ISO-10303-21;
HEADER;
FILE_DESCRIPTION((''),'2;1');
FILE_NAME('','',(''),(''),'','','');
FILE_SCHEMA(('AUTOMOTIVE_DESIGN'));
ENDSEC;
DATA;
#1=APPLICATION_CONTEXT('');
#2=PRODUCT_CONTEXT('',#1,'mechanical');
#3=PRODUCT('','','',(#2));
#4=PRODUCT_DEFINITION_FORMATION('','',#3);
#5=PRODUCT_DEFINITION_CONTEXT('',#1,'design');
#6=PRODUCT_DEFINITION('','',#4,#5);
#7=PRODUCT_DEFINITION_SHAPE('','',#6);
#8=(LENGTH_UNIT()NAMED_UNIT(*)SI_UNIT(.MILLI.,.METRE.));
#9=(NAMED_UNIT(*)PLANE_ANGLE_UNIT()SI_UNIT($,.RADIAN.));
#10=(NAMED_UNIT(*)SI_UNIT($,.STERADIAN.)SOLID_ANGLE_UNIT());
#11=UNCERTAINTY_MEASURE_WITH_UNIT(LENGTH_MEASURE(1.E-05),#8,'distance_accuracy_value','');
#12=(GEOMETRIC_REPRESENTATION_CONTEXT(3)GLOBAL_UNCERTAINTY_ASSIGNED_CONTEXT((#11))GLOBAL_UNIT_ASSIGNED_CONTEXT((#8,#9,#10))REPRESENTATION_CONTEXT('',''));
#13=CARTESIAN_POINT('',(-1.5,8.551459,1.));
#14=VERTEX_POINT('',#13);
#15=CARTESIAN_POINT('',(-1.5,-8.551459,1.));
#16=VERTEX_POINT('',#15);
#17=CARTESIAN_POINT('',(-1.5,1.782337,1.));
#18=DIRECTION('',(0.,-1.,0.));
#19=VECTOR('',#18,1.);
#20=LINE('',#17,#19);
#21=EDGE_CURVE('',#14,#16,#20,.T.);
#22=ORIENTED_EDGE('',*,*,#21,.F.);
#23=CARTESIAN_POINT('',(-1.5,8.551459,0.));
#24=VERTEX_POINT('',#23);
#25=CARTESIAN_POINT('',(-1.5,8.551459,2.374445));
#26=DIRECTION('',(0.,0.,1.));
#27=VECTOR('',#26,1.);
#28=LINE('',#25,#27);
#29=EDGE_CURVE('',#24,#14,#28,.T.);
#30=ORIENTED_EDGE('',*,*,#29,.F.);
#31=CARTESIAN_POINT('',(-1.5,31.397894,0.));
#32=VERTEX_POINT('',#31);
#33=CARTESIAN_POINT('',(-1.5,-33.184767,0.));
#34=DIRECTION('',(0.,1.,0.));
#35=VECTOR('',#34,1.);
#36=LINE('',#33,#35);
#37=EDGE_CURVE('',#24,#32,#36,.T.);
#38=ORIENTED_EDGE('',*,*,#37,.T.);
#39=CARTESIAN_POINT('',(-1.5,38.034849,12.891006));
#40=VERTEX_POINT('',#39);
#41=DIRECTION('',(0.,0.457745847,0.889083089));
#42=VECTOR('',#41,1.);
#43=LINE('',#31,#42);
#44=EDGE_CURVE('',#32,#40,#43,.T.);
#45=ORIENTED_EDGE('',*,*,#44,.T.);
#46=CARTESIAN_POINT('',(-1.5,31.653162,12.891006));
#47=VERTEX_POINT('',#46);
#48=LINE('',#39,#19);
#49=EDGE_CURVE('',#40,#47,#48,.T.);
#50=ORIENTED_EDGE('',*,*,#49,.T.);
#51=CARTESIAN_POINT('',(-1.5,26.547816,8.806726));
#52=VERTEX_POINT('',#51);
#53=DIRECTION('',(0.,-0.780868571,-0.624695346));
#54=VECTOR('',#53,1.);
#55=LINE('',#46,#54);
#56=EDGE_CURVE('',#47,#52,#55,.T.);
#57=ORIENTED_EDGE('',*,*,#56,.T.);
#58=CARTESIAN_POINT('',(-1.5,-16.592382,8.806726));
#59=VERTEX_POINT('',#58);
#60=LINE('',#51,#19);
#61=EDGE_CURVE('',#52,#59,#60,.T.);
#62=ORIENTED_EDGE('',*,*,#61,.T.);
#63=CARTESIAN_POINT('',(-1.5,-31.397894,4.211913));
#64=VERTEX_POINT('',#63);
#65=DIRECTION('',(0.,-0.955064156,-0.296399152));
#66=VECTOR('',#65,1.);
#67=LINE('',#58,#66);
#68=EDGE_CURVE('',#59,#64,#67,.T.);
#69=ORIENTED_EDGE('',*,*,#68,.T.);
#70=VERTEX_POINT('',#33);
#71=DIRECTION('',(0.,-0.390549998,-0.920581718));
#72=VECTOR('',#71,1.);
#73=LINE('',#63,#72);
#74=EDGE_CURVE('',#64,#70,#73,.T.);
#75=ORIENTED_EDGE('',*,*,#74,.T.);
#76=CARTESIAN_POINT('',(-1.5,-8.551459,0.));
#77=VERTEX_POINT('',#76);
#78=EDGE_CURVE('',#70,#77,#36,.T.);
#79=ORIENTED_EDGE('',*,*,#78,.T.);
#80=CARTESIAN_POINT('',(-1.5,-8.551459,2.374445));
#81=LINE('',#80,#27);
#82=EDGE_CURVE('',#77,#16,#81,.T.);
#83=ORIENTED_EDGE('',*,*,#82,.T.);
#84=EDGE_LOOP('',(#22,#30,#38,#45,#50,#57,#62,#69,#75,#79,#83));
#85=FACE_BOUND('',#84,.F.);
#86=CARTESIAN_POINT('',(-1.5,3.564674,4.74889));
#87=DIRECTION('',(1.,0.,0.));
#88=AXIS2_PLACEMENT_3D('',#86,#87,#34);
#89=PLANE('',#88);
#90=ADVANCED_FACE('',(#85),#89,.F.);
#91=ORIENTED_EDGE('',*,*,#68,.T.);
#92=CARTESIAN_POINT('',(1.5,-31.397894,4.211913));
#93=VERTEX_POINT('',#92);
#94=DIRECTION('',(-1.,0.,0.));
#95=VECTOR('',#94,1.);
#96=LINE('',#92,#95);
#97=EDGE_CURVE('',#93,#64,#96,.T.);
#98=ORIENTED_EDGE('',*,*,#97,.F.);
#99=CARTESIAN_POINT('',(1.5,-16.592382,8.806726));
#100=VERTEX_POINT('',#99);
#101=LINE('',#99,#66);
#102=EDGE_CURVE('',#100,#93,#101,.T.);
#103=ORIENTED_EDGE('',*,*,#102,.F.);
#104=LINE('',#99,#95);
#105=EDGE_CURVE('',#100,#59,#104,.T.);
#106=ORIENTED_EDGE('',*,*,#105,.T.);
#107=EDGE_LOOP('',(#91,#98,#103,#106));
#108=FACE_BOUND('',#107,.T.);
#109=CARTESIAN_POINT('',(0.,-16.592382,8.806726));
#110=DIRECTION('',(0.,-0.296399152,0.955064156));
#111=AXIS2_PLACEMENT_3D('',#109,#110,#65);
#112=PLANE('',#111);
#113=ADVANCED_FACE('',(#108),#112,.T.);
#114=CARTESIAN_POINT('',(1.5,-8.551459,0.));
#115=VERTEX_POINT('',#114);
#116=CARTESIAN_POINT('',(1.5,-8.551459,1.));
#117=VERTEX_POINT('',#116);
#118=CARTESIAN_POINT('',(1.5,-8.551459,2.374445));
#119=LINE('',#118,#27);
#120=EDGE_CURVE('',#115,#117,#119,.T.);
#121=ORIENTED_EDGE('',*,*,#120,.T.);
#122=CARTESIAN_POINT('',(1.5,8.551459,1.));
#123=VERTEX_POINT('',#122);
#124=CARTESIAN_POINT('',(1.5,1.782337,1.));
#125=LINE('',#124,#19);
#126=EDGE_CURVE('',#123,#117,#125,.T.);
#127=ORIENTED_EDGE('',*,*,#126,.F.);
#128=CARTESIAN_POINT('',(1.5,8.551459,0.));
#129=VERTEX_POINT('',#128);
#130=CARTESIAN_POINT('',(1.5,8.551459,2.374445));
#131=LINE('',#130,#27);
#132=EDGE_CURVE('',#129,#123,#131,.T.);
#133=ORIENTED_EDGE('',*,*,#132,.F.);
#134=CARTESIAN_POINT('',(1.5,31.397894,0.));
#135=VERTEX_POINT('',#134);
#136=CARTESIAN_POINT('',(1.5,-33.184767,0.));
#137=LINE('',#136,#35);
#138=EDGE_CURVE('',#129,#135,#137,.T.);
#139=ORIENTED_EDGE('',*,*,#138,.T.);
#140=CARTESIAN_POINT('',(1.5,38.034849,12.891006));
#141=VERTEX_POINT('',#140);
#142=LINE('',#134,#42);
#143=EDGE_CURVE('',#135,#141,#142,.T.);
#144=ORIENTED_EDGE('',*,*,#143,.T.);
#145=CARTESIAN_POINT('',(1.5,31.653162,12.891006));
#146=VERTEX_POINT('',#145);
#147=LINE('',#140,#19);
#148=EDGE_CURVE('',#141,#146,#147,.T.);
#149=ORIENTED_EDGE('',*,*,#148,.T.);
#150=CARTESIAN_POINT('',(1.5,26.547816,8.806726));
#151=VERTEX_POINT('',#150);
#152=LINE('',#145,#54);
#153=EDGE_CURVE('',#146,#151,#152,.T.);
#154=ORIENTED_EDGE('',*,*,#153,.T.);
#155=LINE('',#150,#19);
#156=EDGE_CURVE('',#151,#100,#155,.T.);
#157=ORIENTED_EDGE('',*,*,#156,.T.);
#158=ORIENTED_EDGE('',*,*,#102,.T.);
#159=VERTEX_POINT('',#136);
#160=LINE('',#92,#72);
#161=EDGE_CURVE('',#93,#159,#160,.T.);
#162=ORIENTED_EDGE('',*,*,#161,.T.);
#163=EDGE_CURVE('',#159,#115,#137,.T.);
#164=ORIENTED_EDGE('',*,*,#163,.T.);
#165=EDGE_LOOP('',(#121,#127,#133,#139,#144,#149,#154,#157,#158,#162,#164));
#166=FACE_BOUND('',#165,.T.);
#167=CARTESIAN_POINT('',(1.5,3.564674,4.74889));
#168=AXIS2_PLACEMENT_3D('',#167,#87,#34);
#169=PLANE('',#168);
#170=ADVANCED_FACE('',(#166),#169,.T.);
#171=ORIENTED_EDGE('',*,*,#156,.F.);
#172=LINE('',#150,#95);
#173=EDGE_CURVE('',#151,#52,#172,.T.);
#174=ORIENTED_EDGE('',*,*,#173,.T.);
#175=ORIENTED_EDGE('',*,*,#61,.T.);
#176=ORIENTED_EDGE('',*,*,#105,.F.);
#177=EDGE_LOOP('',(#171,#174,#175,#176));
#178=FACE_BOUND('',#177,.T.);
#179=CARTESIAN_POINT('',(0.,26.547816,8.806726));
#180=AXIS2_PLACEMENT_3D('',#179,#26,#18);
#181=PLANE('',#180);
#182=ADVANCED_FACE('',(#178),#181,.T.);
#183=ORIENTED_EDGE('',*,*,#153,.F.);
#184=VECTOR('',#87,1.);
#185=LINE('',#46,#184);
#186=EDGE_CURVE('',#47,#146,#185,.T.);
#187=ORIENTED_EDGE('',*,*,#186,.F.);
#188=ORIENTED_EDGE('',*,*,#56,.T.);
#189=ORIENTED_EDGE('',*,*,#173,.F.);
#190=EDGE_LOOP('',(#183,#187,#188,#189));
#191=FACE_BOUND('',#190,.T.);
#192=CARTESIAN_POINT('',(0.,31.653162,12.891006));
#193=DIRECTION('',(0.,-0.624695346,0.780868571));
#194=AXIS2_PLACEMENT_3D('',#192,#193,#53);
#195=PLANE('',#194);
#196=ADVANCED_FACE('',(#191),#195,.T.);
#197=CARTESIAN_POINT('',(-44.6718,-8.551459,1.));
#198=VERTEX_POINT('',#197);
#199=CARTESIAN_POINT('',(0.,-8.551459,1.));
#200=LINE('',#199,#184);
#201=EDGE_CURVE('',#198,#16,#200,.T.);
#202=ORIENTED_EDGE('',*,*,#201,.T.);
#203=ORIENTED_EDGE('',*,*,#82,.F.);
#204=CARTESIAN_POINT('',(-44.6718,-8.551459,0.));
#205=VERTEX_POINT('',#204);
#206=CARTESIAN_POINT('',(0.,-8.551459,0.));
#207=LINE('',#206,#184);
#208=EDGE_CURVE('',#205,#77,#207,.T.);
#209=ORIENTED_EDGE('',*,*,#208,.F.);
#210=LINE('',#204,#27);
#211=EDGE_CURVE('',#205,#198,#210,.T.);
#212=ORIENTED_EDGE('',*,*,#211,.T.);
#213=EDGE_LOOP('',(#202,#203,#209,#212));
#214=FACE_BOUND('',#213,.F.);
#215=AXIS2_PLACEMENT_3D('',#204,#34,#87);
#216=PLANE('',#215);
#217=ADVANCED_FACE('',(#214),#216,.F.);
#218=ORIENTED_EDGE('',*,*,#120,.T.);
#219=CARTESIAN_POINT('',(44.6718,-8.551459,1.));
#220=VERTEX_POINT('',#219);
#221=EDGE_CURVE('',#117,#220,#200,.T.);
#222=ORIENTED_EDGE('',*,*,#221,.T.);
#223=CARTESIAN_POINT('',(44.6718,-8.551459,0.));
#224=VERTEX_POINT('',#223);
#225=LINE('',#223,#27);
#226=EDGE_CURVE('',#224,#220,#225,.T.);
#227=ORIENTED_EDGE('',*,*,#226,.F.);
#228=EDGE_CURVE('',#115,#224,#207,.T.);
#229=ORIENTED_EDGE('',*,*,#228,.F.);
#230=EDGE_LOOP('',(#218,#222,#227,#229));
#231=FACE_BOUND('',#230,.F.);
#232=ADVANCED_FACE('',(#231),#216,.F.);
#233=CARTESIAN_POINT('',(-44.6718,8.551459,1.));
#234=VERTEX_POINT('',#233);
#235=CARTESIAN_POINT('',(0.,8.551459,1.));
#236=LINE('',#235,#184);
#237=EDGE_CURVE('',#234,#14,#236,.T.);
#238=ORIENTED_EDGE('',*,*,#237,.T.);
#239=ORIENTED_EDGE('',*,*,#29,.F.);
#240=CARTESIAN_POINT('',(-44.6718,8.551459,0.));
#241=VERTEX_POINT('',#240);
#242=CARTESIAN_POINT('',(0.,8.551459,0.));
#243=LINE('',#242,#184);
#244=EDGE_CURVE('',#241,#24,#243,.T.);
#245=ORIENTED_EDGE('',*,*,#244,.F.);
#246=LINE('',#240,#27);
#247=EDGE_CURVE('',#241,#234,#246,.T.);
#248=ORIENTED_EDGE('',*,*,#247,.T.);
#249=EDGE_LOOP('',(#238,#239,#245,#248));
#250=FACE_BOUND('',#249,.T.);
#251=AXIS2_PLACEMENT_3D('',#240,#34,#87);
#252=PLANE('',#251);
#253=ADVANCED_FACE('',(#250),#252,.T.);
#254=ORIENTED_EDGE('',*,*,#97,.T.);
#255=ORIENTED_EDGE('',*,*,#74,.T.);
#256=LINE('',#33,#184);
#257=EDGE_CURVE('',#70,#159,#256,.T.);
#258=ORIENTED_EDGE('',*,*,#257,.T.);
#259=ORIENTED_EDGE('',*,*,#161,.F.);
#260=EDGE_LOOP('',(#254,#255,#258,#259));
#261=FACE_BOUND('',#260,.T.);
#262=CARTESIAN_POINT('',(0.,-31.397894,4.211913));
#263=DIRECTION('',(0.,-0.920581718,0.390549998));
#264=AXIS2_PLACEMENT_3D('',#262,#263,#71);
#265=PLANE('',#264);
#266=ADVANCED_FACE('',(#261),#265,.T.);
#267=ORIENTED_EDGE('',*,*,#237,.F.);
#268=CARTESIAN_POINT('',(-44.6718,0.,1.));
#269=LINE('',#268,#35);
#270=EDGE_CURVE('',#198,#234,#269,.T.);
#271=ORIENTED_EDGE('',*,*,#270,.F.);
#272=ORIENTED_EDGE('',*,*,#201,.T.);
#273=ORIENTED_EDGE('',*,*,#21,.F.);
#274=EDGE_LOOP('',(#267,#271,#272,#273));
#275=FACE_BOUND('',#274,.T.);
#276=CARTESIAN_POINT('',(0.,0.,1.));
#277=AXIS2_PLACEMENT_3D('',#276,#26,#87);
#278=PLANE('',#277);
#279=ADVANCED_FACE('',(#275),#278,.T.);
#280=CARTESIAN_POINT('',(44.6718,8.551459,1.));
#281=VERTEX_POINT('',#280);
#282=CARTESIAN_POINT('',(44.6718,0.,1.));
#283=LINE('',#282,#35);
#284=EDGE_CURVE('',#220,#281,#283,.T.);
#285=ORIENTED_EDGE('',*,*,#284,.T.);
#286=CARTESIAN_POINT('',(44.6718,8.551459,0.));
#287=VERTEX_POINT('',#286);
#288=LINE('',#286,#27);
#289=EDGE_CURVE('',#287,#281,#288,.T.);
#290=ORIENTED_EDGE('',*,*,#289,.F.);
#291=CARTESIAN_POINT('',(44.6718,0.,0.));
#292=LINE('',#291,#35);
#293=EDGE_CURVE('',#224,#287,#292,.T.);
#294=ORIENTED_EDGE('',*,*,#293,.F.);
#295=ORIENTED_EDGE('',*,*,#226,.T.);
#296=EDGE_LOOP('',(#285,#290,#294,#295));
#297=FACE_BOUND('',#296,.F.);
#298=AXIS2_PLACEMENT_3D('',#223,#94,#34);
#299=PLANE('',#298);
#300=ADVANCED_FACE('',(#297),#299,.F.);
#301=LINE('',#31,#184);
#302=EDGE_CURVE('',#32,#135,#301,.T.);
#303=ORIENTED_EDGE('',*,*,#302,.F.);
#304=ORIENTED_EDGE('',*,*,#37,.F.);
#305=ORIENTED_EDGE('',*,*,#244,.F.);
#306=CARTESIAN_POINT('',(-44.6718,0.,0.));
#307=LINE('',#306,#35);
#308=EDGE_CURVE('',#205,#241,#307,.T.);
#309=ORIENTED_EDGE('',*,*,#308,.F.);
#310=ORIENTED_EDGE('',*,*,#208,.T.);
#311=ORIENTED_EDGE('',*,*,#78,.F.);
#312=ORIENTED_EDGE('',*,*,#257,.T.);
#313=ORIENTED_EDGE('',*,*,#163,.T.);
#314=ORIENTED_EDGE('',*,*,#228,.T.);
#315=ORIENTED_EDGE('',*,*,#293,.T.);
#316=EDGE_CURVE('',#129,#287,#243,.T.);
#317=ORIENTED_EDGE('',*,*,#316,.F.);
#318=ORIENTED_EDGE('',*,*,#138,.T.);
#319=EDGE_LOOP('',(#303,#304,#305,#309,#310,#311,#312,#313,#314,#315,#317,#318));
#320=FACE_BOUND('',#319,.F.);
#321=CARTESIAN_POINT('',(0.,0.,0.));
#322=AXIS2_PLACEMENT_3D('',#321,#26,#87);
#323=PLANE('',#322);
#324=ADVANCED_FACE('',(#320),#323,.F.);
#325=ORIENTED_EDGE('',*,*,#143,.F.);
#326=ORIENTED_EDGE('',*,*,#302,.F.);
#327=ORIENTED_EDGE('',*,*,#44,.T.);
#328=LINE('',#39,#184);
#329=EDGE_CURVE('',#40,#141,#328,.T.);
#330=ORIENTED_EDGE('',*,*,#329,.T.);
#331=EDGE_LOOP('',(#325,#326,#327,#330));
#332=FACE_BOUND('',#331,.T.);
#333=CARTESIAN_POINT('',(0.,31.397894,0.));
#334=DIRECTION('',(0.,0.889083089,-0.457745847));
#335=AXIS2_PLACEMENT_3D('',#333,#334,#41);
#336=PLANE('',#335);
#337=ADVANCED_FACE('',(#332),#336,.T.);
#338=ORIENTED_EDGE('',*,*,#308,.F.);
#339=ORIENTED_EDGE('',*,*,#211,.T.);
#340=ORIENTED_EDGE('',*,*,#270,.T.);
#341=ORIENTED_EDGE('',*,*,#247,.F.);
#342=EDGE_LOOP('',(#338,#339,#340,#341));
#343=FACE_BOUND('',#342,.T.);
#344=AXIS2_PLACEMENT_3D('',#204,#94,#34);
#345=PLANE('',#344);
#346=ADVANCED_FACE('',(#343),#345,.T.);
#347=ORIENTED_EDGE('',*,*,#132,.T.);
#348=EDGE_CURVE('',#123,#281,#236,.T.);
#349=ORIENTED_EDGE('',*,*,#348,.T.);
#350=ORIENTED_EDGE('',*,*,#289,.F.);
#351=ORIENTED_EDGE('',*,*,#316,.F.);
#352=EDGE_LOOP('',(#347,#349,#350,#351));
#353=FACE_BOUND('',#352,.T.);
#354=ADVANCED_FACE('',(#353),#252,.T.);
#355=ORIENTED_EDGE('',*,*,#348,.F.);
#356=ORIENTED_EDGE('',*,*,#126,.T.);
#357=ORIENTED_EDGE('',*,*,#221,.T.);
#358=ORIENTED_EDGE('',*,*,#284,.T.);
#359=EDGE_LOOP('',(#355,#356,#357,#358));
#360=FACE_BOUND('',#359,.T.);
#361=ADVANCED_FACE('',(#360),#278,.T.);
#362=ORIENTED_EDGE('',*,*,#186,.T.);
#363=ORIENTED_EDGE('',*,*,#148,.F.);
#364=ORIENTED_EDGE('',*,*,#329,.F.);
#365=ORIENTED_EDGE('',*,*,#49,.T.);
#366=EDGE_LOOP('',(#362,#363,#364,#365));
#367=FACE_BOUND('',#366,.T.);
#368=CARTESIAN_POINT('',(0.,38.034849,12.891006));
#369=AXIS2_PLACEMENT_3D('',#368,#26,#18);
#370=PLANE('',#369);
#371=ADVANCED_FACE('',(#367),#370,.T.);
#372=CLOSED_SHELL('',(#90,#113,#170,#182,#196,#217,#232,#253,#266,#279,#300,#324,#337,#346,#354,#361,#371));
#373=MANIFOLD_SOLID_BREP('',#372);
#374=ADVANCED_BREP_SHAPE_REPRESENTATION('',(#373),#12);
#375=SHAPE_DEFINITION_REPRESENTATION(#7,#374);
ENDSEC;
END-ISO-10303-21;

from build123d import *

# Parameters (mm, degrees)
F1_DEPTH = 1.5
F2_W     = 89.3436
F2_H     = 17.102918
F3_DEPTH = 1


with BuildPart() as f1:
    # F0 (on Right) → F1 (new body, symmetric)
    with BuildSketch(Plane.YZ):
        Polygon((-31.397894, 4.211913), (-33.184767, 0), (31.397894, 0), (38.034849, 12.891006), (31.653162, 12.891006), (26.547816, 8.806726), (-16.592382, 8.806726), align=None)
    extrude(amount=F1_DEPTH, both=True)

    # F2 (on Top) → F3 (join)
    with BuildSketch(Plane.XY):
        Rectangle(F2_W, F2_H)
    extrude(amount=F3_DEPTH)


solid = f1.part
